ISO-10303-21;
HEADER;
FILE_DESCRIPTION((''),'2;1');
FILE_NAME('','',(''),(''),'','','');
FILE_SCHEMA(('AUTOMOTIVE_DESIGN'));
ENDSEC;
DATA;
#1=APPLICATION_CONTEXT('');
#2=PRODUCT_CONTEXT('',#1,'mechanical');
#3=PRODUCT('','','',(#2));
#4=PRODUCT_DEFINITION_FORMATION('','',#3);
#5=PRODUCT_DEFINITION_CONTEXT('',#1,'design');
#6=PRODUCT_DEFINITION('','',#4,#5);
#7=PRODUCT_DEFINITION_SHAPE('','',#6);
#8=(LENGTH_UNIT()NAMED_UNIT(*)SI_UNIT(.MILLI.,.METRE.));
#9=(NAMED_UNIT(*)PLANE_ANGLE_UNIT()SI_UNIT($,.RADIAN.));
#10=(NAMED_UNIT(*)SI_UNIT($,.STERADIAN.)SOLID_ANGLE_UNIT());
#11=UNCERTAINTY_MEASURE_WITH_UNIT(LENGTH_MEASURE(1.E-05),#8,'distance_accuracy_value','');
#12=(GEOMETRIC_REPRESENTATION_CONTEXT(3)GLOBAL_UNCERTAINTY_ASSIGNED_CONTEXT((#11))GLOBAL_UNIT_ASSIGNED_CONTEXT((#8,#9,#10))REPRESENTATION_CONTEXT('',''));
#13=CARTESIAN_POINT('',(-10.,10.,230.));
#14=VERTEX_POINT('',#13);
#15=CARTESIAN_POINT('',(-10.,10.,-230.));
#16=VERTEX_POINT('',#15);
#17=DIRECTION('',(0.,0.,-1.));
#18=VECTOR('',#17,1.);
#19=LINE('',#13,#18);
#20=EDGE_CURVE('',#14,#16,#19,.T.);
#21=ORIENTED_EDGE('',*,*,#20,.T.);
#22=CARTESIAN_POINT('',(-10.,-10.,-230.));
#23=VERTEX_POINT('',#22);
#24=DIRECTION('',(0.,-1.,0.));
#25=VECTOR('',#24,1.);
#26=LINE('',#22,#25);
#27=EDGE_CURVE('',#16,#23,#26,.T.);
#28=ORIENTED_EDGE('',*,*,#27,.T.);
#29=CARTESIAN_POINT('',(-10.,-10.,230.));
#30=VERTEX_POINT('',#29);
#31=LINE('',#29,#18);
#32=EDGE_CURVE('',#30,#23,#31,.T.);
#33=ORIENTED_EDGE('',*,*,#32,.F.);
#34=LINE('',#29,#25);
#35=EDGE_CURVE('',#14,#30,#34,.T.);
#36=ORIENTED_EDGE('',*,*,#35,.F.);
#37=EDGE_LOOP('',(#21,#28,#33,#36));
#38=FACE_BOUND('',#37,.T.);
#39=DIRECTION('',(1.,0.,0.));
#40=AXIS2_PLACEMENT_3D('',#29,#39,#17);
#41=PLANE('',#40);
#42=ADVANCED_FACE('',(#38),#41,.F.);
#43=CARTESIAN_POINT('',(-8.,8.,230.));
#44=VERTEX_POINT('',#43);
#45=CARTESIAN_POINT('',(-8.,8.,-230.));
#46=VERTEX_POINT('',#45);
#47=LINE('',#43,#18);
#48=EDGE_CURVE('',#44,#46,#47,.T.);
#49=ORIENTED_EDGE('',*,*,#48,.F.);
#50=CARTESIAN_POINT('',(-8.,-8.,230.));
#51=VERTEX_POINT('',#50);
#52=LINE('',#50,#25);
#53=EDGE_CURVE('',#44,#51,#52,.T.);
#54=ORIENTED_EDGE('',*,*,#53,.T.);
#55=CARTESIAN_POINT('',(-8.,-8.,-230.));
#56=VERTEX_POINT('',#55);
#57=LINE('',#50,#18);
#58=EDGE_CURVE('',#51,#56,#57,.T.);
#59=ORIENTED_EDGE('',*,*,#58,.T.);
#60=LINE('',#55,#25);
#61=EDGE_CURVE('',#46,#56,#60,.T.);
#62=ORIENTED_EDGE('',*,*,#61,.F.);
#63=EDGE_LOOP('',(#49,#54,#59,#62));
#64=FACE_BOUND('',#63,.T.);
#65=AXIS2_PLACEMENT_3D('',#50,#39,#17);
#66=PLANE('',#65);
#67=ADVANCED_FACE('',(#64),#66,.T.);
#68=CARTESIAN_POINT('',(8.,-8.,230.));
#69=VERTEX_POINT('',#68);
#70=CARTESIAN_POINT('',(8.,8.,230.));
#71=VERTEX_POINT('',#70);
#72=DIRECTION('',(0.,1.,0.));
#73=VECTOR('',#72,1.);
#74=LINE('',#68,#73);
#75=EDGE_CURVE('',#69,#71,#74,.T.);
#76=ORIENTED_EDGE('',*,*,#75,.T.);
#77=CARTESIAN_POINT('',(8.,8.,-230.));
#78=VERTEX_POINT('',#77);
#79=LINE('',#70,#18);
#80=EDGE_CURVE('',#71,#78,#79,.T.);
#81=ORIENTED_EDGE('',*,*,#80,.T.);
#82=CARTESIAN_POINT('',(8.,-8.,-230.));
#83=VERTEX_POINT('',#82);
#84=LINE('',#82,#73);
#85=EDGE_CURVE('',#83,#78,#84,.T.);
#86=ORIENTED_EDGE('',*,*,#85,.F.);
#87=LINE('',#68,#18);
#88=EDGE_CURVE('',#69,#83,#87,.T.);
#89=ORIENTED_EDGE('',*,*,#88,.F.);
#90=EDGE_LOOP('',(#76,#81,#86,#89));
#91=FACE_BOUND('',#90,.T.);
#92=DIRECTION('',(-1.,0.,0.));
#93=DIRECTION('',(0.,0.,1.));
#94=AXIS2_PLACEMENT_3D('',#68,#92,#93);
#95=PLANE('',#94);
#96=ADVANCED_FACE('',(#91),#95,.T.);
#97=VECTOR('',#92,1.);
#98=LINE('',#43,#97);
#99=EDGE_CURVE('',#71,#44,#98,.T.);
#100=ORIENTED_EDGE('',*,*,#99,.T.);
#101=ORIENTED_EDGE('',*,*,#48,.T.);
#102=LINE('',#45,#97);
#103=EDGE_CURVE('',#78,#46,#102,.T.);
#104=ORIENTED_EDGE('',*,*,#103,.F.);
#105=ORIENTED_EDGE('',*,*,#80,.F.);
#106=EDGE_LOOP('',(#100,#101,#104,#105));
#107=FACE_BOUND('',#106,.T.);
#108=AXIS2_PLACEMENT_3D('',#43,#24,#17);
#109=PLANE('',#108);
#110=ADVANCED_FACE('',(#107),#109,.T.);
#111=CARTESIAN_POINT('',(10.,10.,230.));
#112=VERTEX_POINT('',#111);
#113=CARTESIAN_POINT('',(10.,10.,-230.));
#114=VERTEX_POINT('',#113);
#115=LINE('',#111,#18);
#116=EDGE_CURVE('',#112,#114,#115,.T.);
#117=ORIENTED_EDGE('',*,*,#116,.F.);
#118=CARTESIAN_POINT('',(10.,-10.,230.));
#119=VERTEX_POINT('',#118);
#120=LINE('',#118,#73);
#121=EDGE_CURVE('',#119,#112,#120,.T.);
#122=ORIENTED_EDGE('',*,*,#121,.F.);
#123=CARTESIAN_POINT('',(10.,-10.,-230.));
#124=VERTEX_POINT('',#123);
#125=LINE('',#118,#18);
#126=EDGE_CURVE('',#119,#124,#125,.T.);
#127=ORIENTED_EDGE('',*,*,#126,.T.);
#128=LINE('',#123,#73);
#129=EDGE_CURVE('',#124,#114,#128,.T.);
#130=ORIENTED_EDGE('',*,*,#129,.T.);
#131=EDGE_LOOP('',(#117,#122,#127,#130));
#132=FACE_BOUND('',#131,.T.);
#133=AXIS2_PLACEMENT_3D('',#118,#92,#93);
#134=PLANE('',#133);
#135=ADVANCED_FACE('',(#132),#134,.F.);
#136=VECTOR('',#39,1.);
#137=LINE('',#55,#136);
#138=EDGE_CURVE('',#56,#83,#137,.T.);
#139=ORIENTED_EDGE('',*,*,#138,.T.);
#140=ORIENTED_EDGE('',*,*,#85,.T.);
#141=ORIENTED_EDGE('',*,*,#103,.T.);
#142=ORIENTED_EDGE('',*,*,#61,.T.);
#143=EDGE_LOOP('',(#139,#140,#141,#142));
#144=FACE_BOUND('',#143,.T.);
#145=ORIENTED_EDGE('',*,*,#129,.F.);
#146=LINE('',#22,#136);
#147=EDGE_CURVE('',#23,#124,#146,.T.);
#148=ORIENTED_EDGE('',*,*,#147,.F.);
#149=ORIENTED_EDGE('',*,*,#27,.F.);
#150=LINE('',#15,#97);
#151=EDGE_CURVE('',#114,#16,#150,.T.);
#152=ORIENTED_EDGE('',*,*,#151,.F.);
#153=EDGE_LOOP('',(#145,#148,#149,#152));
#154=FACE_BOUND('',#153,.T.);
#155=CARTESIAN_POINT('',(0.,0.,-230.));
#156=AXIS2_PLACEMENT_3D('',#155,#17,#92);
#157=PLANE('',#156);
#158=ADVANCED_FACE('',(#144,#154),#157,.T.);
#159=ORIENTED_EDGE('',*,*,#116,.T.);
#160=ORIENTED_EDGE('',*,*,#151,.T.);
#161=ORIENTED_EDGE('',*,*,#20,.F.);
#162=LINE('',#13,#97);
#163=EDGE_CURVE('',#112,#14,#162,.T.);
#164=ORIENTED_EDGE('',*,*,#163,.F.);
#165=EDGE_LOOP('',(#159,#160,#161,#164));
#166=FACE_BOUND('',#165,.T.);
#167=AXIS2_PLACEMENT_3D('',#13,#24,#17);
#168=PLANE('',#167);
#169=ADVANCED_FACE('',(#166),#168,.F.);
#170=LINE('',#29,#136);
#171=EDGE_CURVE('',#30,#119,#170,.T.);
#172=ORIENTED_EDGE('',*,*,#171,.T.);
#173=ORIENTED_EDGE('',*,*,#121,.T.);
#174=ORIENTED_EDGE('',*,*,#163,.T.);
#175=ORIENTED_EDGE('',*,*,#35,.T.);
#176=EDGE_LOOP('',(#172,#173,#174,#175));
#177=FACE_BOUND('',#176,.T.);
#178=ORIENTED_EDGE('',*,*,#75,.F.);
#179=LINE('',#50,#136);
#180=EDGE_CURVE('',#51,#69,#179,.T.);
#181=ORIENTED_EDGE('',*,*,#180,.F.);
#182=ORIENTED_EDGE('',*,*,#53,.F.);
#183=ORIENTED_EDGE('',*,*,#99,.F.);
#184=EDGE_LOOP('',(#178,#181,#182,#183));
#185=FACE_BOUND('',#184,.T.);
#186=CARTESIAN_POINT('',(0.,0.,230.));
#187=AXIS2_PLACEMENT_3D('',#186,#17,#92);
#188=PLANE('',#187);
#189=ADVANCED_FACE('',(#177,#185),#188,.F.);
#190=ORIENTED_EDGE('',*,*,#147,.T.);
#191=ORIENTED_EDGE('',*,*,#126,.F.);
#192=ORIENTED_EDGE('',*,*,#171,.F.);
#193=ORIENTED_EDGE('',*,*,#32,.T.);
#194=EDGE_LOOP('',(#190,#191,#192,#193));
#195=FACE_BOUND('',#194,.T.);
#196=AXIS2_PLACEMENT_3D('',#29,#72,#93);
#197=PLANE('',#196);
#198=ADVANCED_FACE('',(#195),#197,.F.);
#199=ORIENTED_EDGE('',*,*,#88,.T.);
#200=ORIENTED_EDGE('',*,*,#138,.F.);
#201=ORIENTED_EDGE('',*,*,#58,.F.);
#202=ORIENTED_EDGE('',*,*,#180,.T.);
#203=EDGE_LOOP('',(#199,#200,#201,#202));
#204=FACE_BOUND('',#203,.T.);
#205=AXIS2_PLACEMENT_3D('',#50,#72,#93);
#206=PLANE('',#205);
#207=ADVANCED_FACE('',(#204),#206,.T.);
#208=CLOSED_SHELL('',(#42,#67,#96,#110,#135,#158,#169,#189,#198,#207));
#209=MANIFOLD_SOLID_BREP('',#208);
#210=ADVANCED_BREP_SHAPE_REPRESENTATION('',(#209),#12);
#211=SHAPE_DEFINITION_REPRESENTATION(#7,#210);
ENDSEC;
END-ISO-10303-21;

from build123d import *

# Parameters (mm, degrees)
BRACE_TUBE_PROFILE_W   = 20
BRACE_TUBE_PROFILE_H   = 20
BRACE_TUBE_PROFILE_W_2 = 16
BRACE_TUBE_PROFILE_H_2 = 16
BRACE_LENGTH_460_DEPTH = 230


with BuildPart() as part:
    # Brace_Tube_Profile → Brace_Length_460 (new, symmetric)
    with BuildSketch(Plane.XY):
        Rectangle(BRACE_TUBE_PROFILE_W, BRACE_TUBE_PROFILE_H)
        Rectangle(BRACE_TUBE_PROFILE_W_2, BRACE_TUBE_PROFILE_H_2, mode=Mode.SUBTRACT)
    extrude(amount=BRACE_LENGTH_460_DEPTH, both=True)


solid = part.part
